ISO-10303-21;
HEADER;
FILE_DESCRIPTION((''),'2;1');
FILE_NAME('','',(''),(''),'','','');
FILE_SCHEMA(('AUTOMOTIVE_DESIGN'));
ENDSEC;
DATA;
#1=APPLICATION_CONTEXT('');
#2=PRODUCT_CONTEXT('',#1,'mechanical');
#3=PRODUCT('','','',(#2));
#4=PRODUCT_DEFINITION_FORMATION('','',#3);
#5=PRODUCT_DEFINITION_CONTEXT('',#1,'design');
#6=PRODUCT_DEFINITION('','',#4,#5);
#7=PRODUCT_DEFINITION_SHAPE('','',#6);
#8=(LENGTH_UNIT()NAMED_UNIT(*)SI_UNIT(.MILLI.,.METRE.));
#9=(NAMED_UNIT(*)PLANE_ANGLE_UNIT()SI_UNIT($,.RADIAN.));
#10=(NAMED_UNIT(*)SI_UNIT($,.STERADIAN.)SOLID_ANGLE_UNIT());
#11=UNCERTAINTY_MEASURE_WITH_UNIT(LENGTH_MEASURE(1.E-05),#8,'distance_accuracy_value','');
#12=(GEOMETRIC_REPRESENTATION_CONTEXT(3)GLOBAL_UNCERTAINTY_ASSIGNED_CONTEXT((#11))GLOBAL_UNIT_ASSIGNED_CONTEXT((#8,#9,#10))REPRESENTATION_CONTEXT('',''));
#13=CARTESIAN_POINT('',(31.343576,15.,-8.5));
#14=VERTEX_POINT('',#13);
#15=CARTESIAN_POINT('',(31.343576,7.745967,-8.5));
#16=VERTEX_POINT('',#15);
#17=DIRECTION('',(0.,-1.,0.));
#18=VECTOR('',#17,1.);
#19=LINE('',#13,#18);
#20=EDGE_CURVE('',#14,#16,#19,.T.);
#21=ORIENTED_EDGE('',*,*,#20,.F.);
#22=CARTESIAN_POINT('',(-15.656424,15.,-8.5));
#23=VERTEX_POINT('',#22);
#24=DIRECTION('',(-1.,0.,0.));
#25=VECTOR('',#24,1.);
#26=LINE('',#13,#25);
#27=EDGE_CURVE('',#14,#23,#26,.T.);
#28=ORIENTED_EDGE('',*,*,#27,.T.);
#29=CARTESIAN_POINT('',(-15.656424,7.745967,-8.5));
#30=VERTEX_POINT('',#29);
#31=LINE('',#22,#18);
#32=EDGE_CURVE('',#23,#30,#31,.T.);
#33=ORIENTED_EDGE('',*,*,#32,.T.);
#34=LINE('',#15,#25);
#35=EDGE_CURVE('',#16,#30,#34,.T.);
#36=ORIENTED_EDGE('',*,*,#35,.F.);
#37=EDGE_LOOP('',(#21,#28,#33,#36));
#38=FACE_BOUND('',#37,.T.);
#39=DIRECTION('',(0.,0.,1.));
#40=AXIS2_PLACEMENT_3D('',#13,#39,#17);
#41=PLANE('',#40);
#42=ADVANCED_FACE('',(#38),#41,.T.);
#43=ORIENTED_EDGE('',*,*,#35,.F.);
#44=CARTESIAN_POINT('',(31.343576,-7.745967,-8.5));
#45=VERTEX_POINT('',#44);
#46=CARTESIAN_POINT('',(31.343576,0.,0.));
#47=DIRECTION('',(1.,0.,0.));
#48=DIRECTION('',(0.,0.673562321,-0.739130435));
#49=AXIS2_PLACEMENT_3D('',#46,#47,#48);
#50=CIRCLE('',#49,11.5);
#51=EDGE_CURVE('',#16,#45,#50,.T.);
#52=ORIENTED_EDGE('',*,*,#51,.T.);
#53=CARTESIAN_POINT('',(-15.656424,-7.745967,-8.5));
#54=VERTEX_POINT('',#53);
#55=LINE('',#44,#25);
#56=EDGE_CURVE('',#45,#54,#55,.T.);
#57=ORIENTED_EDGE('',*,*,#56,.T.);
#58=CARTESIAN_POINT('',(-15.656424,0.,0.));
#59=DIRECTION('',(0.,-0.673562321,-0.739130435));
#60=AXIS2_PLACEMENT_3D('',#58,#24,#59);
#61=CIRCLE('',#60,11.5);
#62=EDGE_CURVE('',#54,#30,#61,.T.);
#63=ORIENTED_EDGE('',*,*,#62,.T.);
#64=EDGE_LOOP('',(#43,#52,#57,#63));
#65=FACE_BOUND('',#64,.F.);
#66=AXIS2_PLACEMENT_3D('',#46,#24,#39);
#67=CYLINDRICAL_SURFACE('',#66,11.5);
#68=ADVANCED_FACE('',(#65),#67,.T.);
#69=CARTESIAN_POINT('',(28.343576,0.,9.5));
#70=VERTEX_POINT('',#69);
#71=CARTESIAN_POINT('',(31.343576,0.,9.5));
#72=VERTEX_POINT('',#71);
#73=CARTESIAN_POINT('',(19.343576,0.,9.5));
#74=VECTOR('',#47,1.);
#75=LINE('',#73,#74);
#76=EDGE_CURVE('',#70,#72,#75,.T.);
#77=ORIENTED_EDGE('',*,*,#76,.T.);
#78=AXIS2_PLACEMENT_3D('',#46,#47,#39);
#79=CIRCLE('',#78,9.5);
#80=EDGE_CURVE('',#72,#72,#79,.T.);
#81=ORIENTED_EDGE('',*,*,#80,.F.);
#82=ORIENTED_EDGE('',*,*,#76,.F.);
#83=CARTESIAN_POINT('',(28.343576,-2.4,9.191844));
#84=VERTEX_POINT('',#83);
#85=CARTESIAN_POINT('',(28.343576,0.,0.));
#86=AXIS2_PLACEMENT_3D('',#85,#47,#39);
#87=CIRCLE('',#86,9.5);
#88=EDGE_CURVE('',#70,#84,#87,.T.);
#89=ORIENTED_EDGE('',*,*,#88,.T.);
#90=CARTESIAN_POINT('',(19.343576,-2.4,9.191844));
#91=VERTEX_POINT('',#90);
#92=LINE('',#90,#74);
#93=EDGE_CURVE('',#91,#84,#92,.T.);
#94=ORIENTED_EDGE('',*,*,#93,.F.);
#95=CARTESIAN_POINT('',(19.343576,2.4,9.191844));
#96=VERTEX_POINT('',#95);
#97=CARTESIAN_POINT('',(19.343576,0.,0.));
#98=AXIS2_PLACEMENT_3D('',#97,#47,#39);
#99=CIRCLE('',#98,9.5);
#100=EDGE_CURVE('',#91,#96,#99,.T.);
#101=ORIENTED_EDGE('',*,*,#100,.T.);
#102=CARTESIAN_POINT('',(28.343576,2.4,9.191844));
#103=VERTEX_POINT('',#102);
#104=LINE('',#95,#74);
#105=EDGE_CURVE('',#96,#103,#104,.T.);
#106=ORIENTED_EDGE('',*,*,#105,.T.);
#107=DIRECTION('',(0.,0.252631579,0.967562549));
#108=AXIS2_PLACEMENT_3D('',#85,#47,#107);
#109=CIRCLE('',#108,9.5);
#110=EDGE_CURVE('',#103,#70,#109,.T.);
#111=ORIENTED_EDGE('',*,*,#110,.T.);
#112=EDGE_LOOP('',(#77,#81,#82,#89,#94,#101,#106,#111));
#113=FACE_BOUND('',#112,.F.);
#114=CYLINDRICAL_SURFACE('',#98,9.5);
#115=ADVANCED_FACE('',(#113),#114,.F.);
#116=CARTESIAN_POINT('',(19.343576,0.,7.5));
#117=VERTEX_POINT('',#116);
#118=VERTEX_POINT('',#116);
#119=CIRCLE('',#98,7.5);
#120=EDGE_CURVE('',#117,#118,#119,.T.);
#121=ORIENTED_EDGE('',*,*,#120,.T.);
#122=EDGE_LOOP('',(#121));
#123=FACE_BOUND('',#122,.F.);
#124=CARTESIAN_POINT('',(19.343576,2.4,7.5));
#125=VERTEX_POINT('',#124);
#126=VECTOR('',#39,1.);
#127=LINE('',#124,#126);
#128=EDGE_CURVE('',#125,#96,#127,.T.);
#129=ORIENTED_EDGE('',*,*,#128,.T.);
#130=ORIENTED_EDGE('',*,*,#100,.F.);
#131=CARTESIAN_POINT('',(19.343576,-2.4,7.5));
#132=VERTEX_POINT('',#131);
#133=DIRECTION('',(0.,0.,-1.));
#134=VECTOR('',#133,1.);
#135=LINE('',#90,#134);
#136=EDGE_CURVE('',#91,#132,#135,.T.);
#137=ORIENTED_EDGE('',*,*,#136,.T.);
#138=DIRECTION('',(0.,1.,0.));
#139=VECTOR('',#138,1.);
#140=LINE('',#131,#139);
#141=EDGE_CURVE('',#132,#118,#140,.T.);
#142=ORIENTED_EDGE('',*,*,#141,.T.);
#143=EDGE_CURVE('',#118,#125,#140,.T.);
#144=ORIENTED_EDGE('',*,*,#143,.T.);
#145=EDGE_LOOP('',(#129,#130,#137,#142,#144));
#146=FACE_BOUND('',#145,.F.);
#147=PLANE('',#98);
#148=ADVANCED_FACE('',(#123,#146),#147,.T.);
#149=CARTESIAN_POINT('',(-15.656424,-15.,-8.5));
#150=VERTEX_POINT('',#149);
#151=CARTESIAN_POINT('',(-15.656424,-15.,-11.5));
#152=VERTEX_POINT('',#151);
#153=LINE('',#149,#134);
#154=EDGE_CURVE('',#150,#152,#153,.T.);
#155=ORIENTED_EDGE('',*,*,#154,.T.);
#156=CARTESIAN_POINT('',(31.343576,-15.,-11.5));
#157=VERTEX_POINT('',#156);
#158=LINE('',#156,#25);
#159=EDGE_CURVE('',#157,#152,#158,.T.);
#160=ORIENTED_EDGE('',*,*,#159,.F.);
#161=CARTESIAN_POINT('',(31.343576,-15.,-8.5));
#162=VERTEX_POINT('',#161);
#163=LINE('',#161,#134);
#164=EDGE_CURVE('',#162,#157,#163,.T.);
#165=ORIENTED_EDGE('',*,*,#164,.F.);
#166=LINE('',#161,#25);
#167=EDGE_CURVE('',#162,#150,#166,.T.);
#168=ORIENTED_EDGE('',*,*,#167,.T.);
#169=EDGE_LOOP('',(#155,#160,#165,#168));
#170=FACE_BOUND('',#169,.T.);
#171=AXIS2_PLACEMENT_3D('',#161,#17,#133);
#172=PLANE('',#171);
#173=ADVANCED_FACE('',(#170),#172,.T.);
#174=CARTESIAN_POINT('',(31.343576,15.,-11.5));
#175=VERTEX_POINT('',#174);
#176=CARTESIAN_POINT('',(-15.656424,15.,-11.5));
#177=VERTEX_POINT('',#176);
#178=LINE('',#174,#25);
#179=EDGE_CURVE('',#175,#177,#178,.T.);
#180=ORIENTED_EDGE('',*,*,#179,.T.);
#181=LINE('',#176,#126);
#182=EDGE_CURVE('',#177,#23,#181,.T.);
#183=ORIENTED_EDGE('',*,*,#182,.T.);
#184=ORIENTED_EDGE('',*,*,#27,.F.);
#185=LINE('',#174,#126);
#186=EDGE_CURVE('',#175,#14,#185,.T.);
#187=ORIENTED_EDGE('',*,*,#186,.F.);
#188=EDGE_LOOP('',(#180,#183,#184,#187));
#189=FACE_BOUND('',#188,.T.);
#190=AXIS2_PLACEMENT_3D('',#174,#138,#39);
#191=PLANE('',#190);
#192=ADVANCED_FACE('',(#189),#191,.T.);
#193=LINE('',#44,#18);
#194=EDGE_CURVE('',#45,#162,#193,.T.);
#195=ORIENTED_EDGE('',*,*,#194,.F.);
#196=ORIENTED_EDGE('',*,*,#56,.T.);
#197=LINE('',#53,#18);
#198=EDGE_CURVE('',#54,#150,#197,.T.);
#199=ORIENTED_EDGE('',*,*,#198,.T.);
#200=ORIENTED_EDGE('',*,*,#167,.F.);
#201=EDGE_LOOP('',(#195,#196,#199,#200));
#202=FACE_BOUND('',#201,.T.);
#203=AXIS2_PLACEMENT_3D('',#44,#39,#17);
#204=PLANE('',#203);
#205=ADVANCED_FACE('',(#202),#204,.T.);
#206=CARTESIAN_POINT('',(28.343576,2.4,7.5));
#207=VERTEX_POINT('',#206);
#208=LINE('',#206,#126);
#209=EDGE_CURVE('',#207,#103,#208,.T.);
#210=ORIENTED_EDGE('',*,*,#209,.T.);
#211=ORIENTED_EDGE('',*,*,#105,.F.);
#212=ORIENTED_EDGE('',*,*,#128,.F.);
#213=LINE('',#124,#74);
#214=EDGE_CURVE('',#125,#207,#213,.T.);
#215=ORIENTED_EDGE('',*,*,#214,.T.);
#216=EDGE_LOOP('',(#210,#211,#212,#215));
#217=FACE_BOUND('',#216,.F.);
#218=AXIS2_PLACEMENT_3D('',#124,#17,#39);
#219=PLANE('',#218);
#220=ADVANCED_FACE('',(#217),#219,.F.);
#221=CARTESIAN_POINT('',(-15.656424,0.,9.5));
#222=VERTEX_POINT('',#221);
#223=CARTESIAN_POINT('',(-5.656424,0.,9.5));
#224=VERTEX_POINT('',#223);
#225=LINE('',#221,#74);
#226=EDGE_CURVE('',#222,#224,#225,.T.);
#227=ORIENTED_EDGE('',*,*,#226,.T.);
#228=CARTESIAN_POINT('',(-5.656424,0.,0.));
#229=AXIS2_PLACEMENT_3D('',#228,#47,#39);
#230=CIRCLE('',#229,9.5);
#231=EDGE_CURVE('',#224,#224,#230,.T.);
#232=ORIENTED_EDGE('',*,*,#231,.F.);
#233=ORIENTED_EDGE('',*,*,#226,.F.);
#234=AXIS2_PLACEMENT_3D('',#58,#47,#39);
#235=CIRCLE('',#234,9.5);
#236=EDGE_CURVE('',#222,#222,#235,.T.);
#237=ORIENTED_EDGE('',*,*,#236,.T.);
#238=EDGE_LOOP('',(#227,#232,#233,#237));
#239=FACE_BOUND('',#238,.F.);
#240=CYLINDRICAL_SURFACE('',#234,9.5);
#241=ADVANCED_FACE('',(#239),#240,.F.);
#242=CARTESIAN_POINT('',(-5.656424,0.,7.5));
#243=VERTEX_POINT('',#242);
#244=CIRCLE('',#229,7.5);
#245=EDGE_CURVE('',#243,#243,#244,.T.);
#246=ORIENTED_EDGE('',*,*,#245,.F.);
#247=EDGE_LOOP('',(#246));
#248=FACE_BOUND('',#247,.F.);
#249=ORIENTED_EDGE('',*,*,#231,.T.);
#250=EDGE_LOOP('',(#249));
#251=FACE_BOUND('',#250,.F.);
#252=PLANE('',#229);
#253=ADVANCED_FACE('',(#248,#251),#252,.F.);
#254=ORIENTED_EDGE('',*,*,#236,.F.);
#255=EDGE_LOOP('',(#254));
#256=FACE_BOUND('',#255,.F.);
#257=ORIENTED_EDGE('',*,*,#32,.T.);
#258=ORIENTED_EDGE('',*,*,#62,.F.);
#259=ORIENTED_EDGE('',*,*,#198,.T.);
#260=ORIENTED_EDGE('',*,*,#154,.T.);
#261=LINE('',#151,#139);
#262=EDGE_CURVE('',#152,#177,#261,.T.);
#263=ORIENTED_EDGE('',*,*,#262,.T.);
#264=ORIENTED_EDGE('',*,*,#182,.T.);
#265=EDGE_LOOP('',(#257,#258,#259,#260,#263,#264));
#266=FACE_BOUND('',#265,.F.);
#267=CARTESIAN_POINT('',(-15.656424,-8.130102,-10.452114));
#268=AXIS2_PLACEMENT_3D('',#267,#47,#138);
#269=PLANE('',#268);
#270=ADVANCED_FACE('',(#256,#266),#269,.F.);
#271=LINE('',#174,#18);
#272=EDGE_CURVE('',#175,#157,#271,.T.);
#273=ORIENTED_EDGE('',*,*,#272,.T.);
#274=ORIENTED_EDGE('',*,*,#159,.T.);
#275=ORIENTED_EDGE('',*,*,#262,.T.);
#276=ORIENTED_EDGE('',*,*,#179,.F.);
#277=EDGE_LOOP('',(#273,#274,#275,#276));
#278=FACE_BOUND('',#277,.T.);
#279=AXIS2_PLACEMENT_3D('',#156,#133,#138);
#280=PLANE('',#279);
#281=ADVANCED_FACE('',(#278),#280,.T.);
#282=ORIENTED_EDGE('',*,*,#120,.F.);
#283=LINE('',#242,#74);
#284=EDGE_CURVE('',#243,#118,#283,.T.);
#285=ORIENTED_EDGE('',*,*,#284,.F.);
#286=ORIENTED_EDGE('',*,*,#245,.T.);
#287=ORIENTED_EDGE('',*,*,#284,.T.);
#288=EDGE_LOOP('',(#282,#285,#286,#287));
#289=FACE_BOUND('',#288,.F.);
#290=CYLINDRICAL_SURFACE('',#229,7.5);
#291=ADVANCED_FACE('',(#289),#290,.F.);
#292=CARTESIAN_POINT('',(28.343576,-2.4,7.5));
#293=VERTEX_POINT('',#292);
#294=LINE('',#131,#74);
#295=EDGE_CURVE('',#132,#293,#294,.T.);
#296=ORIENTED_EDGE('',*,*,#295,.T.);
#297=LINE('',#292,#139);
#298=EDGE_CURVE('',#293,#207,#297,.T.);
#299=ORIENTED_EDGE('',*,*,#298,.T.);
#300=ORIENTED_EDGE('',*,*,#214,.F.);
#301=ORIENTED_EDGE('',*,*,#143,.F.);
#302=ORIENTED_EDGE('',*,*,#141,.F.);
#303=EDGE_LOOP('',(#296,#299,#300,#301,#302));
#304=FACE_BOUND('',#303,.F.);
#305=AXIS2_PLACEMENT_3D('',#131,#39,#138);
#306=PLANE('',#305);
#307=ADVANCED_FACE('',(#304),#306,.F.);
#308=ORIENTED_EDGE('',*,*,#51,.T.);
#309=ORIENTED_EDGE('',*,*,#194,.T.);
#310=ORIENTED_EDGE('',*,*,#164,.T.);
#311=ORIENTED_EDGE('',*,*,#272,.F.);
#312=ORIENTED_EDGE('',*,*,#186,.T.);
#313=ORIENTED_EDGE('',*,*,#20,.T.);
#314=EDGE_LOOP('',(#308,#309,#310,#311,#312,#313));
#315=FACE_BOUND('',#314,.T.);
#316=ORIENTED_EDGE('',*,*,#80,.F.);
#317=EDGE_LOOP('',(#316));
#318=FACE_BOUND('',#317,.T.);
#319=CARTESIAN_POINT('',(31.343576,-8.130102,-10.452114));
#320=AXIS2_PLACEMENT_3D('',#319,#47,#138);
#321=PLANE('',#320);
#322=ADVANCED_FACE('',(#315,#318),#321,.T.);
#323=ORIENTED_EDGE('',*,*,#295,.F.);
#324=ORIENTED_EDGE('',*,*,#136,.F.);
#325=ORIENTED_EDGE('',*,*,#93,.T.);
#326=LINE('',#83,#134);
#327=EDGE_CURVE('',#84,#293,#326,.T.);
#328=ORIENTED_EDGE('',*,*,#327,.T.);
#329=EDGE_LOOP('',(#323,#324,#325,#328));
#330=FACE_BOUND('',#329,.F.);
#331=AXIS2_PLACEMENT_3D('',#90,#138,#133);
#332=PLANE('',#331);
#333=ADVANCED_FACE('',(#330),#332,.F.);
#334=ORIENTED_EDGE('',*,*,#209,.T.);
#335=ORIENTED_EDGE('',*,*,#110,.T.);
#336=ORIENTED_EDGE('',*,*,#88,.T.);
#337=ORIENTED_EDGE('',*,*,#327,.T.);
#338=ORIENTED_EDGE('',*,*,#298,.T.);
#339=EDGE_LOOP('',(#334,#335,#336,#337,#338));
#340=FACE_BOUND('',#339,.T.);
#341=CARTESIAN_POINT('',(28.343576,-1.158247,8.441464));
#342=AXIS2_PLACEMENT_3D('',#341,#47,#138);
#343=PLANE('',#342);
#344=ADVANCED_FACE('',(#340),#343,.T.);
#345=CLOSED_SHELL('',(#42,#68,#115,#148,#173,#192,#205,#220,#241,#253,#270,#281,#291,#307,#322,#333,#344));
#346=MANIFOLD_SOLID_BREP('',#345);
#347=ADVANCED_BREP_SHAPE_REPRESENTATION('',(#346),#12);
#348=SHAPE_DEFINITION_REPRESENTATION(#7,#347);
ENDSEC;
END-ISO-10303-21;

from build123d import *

# Parameters (mm, degrees)
F3_DEPTH = 9
F5_DEPTH = 47


with BuildPart() as f1:
    # F0 (on Front) → F1 (revolve)
    with BuildSketch(Plane.XZ):
        Polygon((-5.6564239193, 9.5), (-5.6564239193, 7.5), (19.3435760807, 7.5), (19.3435760807, 9.5), (31.3435760807, 9.5), (31.3435760807, 11.5), (-15.6564239193, 11.5), (-15.6564239193, 9.5), align=None)
    revolve(axis=Axis((2.8128489057, 0, 0), (1, 0, 0)))

    # F2 (on face) → F3 (join)
    with BuildSketch(Plane.YZ.offset(19.3435760807)):
        with BuildLine():
            Line((0, 7.5), (0, 9.5))
            ThreePointArc((0, 9.5), (-1.2098512295, 9.4226461253), (-2.4, 9.191844211))
            Line((-2.4, 9.191844211), (-2.4, 7.5))
            Line((-2.4, 7.5), (0, 7.5))
        make_face()
        with BuildLine():
            ThreePointArc((2.4, 9.191844211), (1.2098512295, 9.4226461253), (0, 9.5))
            Line((0, 9.5), (0, 7.5))
            Line((0, 7.5), (2.4, 7.5))
            Line((2.4, 7.5), (2.4, 9.191844211))
        make_face()
    extrude(amount=F3_DEPTH)

    # F4 (on face) → F5 (join, through all)
    with BuildSketch(Plane.YZ.offset(31.3435760807)):
        with BuildLine():
            Line((-15, -11.5), (0, -11.5))
            ThreePointArc((0, -11.5), (-4.1533119315, -10.7238052948), (-7.7459666924, -8.5))
            Line((-7.7459666924, -8.5), (-15, -8.5))
            Line((-15, -8.5), (-15, -11.5))
        make_face()
        with BuildLine():
            ThreePointArc((7.7459666924, -8.5), (4.1533119315, -10.7238052948), (0, -11.5))
            Line((0, -11.5), (15, -11.5))
            Line((15, -11.5), (15, -8.5))
            Line((15, -8.5), (7.7459666924, -8.5))
        make_face()
    extrude(amount=-F5_DEPTH)


solid = f1.part
